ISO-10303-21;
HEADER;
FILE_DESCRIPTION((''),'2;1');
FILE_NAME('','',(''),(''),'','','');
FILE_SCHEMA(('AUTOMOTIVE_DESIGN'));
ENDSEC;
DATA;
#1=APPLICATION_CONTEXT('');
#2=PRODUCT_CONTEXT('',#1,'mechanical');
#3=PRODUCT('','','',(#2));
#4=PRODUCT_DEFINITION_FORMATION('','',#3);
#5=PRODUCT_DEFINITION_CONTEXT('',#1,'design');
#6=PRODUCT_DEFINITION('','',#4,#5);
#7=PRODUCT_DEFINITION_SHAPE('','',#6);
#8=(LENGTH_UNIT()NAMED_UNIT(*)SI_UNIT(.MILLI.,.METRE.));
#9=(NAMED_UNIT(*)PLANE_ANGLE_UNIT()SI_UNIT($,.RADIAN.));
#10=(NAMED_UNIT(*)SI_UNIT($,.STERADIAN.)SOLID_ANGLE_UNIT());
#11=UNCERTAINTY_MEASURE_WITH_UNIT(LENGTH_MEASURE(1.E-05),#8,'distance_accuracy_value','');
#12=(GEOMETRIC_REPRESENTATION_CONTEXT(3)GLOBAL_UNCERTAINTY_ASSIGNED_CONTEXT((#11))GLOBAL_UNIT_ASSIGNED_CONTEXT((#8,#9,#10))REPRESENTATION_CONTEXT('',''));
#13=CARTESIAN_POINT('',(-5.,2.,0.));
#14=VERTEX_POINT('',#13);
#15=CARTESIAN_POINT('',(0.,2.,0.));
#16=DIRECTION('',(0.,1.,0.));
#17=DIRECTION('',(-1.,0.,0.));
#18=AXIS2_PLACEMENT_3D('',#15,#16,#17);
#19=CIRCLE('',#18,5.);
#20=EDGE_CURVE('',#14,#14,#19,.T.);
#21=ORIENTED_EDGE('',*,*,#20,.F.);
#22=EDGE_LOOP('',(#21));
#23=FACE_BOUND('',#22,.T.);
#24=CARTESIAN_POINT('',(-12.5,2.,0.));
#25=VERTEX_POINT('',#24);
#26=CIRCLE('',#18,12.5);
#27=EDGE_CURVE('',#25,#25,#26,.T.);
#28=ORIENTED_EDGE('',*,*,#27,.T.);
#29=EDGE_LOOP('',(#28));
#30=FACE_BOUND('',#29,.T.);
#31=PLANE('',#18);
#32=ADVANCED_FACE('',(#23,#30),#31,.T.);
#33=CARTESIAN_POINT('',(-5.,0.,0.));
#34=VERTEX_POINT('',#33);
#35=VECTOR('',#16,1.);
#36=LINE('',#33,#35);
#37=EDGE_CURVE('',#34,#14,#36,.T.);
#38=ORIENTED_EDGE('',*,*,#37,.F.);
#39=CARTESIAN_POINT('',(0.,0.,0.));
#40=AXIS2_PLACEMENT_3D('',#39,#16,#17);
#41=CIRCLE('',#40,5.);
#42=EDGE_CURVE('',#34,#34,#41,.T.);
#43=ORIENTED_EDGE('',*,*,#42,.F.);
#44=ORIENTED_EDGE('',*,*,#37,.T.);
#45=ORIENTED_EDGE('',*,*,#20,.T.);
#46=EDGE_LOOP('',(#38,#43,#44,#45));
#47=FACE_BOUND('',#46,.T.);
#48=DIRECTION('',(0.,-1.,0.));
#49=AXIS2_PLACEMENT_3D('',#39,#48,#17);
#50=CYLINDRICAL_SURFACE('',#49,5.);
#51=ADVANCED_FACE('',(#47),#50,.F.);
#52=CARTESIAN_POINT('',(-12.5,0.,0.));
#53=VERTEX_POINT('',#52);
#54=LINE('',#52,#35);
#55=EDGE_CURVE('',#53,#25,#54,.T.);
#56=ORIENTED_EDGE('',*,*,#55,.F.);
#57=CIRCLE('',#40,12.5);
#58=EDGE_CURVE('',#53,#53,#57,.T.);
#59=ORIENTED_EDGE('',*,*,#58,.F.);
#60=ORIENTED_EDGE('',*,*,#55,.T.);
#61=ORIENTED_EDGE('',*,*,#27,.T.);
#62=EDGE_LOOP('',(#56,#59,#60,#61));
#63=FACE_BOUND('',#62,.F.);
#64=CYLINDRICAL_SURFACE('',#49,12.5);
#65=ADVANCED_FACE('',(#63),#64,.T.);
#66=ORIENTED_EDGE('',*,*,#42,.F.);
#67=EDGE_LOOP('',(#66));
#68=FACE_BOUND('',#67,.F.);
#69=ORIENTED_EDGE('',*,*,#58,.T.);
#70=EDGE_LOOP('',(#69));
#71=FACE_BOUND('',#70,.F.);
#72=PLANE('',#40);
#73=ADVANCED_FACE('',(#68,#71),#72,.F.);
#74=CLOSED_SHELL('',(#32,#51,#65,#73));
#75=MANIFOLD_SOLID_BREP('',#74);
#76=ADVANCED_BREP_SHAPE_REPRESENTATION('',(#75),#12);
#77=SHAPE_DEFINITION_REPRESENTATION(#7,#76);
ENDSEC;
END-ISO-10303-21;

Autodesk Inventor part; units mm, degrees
ref_plane "YZ Plane" through (0, 0, 0) normal (1, 0, 0) x (0, 1, 0)
ref_plane "XZ Plane" through (0, 0, 0) normal (0, 1, 0) x (-1, 0, 0)
ref_plane "XY Plane" through (0, 0, 0) normal (0, 0, 1) x (1, 0, 0)
sketch "Sketch1" plane through (0, 0, 0) normal (0, 1, 0) x (-1, 0, 0)
  circle A0 centre (0, 0) radius 5
  circle A1 centre (0, 0) radius 12.5
  dimension "d0" = 10
  dimension "d1" = 25
extrude "Extrusion1" add sketch "Sketch1" along normal blind 2
properties part number "Washer"
